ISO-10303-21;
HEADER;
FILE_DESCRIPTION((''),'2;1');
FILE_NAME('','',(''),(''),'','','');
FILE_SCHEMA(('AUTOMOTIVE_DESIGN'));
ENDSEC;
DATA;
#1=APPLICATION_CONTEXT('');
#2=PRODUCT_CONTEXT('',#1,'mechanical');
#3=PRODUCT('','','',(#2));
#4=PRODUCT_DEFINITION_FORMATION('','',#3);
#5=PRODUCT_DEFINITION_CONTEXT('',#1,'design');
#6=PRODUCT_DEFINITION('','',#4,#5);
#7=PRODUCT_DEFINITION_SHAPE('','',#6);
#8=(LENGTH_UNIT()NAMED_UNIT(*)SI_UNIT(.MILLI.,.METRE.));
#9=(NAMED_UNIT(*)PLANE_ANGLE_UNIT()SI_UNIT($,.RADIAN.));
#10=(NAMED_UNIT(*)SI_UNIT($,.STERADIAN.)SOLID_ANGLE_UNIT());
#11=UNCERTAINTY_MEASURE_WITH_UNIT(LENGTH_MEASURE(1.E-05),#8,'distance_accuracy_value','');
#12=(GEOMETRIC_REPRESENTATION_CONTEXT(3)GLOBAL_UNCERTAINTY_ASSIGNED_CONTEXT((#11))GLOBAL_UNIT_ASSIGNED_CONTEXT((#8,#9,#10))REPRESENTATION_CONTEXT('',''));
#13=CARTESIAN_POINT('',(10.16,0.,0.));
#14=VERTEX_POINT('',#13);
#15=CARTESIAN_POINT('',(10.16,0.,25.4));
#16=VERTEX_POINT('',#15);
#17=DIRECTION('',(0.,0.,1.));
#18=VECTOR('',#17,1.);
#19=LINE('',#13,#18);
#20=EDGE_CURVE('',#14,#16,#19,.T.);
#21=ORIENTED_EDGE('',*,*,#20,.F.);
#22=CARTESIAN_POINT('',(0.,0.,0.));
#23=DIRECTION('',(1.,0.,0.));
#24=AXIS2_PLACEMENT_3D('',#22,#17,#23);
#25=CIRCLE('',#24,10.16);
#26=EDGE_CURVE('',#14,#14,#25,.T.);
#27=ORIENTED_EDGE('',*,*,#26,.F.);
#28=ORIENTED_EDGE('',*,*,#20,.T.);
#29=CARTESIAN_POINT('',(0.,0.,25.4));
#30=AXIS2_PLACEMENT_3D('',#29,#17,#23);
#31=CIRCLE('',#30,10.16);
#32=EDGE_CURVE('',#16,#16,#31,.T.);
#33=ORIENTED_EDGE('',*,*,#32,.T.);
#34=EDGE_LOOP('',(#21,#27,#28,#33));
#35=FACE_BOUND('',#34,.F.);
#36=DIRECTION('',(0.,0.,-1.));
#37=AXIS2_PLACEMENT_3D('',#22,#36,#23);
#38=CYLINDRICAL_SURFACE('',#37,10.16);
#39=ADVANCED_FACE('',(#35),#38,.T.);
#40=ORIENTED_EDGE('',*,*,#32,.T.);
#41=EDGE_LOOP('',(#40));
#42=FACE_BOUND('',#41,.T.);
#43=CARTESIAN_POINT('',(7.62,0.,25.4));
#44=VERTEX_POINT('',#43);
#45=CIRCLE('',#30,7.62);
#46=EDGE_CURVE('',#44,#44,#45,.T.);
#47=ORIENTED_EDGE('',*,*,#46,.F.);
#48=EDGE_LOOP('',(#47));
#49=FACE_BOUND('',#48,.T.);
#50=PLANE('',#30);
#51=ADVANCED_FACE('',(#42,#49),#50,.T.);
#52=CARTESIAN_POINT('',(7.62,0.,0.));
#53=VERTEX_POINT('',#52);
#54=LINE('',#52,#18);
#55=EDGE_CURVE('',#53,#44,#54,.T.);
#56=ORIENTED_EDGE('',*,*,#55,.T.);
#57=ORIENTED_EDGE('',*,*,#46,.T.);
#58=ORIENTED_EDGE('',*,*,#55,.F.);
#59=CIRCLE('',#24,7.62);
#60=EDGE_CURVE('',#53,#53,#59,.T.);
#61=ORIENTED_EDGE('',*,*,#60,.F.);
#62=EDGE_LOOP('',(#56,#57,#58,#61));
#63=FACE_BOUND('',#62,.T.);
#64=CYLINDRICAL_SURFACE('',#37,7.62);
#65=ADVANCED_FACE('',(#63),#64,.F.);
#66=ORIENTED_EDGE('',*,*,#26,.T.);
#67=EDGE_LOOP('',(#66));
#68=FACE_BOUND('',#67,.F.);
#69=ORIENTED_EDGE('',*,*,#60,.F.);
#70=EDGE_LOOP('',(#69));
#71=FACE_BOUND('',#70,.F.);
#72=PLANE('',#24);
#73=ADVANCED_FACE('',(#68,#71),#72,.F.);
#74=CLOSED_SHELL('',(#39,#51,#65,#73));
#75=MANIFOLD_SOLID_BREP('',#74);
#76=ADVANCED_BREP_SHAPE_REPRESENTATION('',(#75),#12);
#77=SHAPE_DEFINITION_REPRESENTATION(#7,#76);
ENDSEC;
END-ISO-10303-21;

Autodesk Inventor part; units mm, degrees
ref_plane "YZ Plane" through (0, 0, 0) normal (1, 0, 0) x (0, 1, 0)
ref_plane "XZ Plane" through (0, 0, 0) normal (0, 1, 0) x (-1, 0, 0)
ref_plane "XY Plane" through (0, 0, 0) normal (0, 0, 1) x (1, 0, 0)
sketch "Sketch1" plane through (0, 0, 0) normal (0, 0, 1) x (1, 0, 0)
  circle A0 centre (0, 0) radius 7.62
  circle A1 centre (0, 0) radius 10.16
  dimension "d0" = 15.24
  dimension "d1" = 2.54
extrude "Extrusion1" add sketch "Sketch1" along normal blind 25.4
properties part number "CAR_39_1inchSpacers" material "PVC-Piping"
